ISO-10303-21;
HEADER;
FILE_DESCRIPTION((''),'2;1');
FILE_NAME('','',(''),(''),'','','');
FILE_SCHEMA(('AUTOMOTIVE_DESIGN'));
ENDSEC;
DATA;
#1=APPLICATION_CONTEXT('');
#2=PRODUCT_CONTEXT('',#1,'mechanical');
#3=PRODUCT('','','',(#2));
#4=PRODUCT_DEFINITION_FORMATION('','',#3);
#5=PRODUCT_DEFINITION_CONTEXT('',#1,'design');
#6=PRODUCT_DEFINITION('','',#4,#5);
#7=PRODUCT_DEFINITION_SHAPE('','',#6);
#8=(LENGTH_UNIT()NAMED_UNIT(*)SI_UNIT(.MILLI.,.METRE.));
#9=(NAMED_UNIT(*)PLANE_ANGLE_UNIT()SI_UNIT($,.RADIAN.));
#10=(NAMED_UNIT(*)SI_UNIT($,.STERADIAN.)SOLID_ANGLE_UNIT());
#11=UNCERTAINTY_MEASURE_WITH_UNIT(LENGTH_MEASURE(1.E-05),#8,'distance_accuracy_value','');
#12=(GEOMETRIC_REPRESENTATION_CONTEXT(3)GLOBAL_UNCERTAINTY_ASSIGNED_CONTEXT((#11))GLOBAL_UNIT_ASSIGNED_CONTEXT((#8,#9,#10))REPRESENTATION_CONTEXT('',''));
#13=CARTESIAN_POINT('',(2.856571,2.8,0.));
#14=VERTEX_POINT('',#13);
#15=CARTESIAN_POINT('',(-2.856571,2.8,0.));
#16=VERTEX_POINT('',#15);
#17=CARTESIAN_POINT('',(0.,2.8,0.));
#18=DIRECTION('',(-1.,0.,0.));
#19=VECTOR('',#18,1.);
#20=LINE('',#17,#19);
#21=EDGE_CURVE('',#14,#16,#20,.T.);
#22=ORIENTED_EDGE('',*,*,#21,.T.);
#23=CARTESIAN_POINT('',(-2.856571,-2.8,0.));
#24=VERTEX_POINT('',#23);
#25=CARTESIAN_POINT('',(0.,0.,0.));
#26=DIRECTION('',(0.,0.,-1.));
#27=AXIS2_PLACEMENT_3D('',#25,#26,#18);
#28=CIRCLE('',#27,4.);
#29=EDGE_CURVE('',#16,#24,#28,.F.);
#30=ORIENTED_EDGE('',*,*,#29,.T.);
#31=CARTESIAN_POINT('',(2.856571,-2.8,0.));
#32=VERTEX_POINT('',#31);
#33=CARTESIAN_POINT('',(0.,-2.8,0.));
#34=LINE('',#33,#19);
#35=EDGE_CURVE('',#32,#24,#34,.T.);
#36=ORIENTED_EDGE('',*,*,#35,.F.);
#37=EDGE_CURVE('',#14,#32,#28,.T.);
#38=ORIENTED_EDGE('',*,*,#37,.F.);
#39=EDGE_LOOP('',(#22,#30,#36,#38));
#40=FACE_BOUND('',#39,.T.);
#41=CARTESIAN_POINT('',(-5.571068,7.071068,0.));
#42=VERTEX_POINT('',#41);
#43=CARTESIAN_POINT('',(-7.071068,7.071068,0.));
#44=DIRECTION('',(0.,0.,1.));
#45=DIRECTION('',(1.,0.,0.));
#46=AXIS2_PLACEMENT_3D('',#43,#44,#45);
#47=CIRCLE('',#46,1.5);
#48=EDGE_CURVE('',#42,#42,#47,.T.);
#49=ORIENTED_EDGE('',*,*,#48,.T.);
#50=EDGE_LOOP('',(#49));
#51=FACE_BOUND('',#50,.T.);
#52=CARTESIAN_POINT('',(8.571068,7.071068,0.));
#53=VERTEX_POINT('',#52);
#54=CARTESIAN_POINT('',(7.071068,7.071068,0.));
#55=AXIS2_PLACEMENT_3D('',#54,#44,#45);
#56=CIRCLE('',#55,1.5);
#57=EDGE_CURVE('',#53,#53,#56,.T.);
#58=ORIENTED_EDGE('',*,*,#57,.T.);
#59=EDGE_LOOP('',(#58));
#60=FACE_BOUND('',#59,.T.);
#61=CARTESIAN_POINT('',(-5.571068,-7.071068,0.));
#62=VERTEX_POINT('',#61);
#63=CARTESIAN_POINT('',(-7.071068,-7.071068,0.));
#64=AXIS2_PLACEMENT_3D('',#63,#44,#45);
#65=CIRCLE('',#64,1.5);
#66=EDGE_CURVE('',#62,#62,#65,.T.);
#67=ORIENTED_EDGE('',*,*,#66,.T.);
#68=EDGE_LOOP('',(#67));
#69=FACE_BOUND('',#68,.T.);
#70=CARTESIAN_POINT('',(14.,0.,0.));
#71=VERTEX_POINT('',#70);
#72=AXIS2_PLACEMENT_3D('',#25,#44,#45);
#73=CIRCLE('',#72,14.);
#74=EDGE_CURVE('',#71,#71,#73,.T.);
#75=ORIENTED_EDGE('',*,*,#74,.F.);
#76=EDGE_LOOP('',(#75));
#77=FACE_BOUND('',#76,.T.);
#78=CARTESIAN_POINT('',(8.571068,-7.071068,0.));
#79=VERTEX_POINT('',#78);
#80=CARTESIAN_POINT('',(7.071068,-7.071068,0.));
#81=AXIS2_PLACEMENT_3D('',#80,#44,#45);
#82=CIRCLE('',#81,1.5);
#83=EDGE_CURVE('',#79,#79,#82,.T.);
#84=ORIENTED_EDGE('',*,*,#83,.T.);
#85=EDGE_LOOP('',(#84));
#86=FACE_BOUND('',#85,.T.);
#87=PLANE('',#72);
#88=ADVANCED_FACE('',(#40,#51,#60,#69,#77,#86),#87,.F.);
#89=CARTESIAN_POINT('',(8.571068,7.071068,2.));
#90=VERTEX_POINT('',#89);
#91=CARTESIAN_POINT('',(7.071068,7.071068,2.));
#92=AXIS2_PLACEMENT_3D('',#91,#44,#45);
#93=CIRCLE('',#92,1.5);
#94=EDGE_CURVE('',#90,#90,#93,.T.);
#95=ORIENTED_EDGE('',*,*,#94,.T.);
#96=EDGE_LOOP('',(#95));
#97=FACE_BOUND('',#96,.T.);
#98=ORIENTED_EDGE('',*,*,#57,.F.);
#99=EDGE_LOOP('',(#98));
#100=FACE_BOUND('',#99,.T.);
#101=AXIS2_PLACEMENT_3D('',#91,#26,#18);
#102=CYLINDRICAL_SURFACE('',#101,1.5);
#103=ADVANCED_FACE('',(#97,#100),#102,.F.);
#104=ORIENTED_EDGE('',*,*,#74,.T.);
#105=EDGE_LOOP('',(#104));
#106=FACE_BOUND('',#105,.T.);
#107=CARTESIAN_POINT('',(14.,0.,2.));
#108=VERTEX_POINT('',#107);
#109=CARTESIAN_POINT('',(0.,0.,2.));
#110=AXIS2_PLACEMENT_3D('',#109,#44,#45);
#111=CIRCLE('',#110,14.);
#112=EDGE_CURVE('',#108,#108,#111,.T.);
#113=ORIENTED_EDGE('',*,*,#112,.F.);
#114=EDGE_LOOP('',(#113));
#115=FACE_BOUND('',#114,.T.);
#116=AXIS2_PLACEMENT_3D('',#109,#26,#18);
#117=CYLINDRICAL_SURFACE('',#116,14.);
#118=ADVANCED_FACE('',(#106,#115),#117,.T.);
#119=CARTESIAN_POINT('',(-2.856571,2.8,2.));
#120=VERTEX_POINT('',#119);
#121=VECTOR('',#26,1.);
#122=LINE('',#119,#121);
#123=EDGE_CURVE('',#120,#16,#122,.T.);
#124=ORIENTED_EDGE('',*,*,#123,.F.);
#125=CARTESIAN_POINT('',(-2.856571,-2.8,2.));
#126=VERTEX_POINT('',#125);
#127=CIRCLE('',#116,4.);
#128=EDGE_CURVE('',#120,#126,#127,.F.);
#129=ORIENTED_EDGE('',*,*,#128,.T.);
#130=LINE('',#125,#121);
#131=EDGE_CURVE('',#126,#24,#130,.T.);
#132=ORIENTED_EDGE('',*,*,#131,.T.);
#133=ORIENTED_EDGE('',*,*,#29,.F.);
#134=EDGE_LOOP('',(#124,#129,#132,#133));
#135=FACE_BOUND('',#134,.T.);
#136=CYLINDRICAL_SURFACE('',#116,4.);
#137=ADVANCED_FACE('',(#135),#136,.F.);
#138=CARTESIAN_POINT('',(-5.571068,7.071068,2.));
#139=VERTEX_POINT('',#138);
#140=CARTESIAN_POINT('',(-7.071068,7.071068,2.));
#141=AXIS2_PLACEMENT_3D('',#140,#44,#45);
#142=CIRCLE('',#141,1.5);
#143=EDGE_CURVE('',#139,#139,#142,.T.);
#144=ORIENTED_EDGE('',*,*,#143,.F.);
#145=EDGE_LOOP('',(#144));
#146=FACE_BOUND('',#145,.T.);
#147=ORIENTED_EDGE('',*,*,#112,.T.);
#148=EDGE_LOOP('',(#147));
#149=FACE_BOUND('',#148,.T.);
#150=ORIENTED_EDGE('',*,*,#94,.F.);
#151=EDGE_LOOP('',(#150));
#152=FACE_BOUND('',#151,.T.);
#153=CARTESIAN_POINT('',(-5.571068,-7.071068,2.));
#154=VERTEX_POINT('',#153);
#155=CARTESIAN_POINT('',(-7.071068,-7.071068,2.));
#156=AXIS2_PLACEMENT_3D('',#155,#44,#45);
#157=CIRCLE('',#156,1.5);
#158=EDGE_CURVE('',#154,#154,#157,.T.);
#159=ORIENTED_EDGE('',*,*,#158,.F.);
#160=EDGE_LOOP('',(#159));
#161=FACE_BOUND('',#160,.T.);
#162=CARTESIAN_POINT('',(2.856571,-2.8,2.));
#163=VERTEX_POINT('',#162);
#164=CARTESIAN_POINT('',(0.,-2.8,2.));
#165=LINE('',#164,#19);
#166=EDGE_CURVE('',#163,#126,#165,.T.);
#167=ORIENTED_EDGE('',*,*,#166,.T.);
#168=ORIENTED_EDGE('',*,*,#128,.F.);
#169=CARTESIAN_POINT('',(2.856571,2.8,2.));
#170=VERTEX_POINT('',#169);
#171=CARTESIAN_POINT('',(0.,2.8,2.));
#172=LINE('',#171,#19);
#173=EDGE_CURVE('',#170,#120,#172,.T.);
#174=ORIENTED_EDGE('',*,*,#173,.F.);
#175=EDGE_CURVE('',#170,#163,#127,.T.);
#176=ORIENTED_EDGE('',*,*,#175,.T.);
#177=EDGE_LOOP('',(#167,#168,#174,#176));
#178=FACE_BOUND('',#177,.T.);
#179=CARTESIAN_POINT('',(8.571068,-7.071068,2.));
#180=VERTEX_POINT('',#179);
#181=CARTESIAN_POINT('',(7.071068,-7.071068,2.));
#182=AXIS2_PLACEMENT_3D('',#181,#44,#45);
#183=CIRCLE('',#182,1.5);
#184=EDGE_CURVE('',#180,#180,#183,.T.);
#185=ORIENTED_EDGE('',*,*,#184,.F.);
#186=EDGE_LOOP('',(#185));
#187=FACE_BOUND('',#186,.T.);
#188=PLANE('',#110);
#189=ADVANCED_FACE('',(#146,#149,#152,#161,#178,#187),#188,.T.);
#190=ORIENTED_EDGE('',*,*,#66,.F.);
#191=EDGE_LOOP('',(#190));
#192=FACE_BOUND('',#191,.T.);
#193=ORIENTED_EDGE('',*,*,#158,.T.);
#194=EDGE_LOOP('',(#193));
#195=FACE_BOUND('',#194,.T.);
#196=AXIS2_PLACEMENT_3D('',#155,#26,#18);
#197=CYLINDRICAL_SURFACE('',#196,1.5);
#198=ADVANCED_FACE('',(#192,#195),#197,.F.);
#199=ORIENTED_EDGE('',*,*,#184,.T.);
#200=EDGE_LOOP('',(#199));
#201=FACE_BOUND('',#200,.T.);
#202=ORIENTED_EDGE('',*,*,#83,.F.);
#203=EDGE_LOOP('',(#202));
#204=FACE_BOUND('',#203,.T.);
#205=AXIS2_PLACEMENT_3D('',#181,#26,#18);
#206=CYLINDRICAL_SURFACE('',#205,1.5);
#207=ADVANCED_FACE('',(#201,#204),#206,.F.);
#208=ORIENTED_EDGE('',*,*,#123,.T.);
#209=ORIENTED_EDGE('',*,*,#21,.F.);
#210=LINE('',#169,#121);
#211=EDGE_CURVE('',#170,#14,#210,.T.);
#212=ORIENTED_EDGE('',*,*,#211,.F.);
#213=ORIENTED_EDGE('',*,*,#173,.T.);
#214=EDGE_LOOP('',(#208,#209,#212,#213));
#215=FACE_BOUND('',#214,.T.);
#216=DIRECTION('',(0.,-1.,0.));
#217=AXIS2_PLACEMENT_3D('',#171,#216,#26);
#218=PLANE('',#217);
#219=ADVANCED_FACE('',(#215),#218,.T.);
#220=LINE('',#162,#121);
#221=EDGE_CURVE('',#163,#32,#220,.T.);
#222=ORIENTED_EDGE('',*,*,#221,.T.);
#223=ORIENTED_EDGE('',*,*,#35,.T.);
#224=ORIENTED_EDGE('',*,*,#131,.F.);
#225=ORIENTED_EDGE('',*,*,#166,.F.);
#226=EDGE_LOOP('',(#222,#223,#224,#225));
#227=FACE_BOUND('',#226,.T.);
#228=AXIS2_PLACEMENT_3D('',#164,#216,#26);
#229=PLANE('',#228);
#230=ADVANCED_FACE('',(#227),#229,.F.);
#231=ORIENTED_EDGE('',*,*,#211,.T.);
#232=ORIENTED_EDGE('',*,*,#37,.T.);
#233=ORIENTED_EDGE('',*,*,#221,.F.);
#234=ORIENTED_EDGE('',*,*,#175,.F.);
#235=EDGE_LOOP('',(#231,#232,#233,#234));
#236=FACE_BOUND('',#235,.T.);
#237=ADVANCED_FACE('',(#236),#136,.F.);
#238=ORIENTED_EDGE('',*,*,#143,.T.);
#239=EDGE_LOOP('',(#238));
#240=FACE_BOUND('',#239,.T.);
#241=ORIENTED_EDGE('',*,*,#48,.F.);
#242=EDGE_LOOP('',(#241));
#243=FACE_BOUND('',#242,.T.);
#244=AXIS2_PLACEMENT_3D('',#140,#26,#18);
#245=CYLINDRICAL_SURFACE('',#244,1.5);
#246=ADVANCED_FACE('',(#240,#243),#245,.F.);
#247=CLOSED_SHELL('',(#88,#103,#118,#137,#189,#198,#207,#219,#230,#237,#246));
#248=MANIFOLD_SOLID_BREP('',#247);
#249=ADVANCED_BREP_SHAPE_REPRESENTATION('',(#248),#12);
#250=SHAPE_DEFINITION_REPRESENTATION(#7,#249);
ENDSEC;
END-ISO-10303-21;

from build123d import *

# Parameters (mm, degrees)
SKETCH_1_R          = 14
SKETCH_1_R_2        = 1.5
EXTRUDE_1_DEPTH     = 2
CUT_EXTRUDE_1_DEPTH = 20.899748742


with BuildPart() as part:
    # 草图1 → 凸台-拉伸1 (new body)
    with BuildSketch(Plane.XY):
        Circle(SKETCH_1_R)
        with Locations((-7.071067812, 7.071067812)):
            Circle(SKETCH_1_R_2, mode=Mode.SUBTRACT)
        with Locations((7.071067812, 7.071067812)):
            Circle(SKETCH_1_R_2, mode=Mode.SUBTRACT)
        with Locations((-7.071067812, -7.071067812)):
            Circle(SKETCH_1_R_2, mode=Mode.SUBTRACT)
        with Locations((7.071067812, -7.071067812)):
            Circle(SKETCH_1_R_2, mode=Mode.SUBTRACT)
    extrude(amount=EXTRUDE_1_DEPTH)

    # 草图2 → 切除-拉伸1 (cut, through all)
    with BuildSketch(Plane(origin=(0, 0, 0), x_dir=(-1, 0, 0), z_dir=(0, 0, -1))):
        with BuildLine():
            Line((-2.856571371, 2.8), (2.856571371, 2.8))
            ThreePointArc((2.856571371, 2.8), (4, 0), (2.856571371, -2.8))
            Line((2.856571371, -2.8), (-2.856571371, -2.8))
            ThreePointArc((-2.856571371, -2.8), (-4, 0), (-2.856571371, 2.8))
        make_face()
    extrude(amount=-CUT_EXTRUDE_1_DEPTH, mode=Mode.SUBTRACT)


solid = part.part
